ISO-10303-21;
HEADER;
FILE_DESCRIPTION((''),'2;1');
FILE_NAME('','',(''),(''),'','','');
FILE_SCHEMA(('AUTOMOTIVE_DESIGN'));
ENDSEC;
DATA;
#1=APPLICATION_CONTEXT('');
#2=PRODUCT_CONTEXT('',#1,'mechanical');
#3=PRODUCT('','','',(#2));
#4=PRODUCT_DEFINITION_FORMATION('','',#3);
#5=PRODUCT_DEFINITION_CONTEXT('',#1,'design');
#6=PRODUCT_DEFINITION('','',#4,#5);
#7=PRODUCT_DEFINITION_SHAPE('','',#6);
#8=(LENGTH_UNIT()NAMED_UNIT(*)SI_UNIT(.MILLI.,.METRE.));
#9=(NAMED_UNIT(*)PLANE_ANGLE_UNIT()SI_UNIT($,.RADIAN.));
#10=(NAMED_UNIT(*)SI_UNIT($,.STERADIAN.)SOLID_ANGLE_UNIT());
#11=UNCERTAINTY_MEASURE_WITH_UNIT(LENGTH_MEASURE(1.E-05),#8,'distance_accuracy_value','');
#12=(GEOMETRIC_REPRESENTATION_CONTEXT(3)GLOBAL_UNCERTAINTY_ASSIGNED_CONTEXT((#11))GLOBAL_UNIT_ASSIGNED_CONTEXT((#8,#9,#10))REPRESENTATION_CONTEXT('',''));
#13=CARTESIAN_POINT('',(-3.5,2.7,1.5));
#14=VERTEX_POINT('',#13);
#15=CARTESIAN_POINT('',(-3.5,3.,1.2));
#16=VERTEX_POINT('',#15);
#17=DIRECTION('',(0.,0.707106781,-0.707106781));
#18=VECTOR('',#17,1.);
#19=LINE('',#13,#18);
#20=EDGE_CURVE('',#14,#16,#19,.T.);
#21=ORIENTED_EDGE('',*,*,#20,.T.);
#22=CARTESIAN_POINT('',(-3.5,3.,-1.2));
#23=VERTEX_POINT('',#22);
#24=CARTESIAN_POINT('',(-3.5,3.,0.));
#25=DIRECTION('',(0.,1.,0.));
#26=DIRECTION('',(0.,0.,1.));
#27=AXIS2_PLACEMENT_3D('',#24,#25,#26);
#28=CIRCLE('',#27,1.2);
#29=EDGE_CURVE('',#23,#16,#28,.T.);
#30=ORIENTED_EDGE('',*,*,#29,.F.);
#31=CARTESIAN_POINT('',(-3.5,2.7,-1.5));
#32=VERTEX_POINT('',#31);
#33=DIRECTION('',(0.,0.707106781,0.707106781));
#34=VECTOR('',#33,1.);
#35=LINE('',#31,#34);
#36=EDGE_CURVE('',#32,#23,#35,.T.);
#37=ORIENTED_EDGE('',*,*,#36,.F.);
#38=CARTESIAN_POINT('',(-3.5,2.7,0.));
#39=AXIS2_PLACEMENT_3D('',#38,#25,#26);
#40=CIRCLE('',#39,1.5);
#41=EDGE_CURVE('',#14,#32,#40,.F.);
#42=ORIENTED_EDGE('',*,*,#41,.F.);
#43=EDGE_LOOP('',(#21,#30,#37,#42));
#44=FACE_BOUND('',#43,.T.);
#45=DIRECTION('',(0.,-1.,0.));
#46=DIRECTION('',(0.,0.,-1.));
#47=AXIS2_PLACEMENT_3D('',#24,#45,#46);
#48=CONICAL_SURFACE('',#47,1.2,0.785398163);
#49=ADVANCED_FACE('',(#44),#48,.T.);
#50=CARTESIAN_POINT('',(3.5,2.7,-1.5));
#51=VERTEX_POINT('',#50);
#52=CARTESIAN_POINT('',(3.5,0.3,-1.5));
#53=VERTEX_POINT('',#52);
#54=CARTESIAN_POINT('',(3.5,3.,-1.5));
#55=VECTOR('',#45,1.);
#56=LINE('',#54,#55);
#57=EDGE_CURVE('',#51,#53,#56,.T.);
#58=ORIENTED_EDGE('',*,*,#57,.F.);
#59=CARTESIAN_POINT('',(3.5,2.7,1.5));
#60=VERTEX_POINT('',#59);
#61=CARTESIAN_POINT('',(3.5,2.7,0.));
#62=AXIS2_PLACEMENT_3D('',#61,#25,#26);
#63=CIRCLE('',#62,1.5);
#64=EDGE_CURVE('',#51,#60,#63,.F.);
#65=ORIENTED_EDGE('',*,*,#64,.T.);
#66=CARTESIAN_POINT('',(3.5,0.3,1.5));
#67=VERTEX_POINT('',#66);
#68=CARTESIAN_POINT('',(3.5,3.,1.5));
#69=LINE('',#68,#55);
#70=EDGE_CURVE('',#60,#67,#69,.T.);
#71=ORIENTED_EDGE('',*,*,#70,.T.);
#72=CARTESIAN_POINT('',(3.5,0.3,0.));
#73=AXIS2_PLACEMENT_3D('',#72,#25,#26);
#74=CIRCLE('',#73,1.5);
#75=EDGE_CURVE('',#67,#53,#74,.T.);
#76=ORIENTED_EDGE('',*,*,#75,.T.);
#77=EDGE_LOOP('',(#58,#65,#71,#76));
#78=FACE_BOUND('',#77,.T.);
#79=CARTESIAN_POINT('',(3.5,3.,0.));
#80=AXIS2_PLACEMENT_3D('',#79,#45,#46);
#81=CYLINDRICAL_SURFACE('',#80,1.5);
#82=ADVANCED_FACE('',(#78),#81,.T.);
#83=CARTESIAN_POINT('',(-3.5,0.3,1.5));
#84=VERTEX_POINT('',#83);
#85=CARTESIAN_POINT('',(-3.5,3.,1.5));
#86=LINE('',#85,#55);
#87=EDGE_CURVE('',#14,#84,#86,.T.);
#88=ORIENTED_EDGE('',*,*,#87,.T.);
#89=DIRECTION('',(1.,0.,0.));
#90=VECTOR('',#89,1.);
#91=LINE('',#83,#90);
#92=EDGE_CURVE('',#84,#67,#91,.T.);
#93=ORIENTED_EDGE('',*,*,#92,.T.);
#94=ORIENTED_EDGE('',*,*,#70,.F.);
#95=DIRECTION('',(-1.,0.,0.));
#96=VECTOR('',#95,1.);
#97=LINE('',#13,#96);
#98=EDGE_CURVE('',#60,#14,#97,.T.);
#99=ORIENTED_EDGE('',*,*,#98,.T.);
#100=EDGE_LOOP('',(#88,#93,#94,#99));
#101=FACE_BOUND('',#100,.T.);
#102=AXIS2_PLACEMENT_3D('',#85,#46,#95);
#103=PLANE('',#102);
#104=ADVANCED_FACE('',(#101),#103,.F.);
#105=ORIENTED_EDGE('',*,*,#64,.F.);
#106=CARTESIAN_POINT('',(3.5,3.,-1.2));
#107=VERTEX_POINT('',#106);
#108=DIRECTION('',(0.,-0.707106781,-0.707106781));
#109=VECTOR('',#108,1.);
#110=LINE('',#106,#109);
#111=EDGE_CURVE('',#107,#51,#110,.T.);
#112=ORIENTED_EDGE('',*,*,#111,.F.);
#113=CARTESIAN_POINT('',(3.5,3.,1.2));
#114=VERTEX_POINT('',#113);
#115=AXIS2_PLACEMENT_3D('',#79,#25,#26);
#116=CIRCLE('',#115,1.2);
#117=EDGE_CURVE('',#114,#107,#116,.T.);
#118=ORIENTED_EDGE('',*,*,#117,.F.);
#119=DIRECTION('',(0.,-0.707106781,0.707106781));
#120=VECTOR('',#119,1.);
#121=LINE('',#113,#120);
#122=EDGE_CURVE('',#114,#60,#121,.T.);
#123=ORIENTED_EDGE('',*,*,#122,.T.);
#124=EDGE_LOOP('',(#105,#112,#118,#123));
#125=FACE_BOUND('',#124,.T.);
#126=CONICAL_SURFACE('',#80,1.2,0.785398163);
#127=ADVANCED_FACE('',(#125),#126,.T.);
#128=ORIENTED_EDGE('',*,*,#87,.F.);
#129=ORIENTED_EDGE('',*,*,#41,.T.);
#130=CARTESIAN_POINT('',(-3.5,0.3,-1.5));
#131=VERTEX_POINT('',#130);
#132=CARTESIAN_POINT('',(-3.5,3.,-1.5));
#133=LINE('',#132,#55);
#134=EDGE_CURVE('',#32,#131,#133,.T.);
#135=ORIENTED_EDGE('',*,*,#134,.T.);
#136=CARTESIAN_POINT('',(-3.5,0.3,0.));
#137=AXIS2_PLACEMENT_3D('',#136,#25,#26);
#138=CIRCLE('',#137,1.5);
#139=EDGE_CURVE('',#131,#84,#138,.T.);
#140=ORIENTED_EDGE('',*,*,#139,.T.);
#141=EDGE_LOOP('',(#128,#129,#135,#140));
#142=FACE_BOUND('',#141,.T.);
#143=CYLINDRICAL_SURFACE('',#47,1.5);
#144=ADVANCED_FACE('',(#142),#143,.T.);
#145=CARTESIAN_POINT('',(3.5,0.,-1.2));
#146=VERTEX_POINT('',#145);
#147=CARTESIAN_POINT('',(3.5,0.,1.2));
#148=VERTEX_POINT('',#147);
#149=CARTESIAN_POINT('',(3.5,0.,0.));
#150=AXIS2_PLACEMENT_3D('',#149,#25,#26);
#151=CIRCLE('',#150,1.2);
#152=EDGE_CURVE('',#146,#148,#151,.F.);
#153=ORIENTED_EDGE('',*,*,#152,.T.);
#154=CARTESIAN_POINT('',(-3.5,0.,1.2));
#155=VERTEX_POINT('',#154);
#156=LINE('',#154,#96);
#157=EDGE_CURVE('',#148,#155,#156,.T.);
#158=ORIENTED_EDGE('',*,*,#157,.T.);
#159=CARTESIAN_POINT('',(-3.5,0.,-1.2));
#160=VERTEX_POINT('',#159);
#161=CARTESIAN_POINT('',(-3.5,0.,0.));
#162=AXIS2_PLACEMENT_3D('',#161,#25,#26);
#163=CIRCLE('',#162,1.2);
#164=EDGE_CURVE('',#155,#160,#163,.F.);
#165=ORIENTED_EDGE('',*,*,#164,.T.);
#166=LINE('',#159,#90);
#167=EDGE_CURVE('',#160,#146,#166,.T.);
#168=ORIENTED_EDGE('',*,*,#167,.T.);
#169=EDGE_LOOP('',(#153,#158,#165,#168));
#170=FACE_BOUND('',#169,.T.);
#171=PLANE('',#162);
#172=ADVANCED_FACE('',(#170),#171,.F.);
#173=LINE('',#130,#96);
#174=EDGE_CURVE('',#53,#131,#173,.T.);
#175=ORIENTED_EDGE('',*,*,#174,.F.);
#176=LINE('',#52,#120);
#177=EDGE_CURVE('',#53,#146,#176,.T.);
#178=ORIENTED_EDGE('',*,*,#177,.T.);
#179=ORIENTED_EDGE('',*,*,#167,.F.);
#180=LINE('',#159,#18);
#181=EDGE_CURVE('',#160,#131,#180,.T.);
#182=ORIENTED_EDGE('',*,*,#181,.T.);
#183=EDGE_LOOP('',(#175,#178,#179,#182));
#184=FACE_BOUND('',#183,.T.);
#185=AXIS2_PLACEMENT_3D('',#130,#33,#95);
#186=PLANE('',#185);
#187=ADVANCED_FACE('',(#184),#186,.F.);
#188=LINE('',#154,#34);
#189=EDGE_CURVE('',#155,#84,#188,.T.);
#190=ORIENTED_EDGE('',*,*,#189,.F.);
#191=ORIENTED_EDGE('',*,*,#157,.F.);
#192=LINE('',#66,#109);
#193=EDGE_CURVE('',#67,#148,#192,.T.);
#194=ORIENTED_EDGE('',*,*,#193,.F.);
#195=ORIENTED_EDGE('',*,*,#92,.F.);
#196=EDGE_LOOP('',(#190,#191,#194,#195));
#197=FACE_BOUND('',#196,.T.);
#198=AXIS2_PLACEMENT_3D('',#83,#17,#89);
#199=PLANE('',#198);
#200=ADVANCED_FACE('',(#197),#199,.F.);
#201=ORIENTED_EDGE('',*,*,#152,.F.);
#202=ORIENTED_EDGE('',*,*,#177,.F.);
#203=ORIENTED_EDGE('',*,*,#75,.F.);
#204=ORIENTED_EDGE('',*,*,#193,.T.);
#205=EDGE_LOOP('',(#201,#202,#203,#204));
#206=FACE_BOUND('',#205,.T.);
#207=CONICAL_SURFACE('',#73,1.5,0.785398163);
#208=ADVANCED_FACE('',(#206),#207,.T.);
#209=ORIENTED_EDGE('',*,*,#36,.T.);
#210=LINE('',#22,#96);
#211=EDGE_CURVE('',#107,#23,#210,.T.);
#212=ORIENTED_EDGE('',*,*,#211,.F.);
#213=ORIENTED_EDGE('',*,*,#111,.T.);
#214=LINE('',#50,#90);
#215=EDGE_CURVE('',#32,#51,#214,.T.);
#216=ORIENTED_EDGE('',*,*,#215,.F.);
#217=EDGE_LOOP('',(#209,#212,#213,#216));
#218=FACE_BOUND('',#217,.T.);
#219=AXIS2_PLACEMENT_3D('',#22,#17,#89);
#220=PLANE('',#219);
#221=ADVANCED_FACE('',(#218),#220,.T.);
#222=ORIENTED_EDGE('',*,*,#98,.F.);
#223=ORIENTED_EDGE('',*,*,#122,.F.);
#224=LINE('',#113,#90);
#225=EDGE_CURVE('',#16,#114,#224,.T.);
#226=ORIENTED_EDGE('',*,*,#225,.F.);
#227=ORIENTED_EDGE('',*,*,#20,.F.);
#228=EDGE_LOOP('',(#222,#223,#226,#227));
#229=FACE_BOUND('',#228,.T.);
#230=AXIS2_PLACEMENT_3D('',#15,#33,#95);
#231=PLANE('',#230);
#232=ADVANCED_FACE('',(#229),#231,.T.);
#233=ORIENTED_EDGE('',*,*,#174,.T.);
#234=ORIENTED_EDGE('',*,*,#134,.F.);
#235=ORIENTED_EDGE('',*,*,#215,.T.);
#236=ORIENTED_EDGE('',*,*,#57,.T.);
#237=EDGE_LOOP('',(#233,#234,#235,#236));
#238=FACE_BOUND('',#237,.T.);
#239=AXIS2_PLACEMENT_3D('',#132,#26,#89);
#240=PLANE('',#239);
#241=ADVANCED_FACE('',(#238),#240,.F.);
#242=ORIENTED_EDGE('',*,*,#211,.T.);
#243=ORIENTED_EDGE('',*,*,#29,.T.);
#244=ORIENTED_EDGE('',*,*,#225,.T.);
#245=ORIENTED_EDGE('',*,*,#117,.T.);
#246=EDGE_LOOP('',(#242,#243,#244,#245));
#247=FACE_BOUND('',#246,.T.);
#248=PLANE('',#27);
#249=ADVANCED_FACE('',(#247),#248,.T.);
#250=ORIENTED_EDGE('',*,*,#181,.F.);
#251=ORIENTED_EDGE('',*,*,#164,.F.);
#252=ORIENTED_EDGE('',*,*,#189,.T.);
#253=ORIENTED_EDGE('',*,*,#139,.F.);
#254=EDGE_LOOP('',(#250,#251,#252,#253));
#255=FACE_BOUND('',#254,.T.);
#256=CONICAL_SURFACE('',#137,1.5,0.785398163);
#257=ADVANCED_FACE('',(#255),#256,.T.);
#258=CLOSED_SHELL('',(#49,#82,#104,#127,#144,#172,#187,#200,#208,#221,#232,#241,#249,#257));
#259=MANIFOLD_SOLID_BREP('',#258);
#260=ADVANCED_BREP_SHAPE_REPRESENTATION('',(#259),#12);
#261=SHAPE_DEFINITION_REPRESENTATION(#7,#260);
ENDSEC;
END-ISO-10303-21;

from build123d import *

# Parameters (mm, degrees)
EXTRUDE_1_DEPTH = 3
CHAMFER_1_SIZE  = 0.3


with BuildPart() as part:
    # 草图1 → 凸台-拉伸1 (new body)
    with BuildSketch(Plane(origin=(0, 0, 0), x_dir=(1, 0, 0), z_dir=(0, 1, 0))):
        with BuildLine():
            Line((-3.5, 1.5), (3.5, 1.5))
            ThreePointArc((3.5, 1.5), (5, 0), (3.5, -1.5))
            Line((3.5, -1.5), (-3.5, -1.5))
            ThreePointArc((-3.5, -1.5), (-5, 0), (-3.5, 1.5))
        make_face()
    extrude(amount=EXTRUDE_1_DEPTH)

    # 倒角1
    chamfer_1_edges = [part.edges().sort_by_distance(p)[0] for p in [
        (5, 3, 0),
        (0, 3, -1.5),
        (-5, 3, 0),
        (0, 0, -1.5),
        (5, 0, 0),
        (0, 0, 1.5),
        (-5, 0, 0),
        (0, 3, 1.5),
    ]]
    chamfer(chamfer_1_edges, length=CHAMFER_1_SIZE)


solid = part.part
